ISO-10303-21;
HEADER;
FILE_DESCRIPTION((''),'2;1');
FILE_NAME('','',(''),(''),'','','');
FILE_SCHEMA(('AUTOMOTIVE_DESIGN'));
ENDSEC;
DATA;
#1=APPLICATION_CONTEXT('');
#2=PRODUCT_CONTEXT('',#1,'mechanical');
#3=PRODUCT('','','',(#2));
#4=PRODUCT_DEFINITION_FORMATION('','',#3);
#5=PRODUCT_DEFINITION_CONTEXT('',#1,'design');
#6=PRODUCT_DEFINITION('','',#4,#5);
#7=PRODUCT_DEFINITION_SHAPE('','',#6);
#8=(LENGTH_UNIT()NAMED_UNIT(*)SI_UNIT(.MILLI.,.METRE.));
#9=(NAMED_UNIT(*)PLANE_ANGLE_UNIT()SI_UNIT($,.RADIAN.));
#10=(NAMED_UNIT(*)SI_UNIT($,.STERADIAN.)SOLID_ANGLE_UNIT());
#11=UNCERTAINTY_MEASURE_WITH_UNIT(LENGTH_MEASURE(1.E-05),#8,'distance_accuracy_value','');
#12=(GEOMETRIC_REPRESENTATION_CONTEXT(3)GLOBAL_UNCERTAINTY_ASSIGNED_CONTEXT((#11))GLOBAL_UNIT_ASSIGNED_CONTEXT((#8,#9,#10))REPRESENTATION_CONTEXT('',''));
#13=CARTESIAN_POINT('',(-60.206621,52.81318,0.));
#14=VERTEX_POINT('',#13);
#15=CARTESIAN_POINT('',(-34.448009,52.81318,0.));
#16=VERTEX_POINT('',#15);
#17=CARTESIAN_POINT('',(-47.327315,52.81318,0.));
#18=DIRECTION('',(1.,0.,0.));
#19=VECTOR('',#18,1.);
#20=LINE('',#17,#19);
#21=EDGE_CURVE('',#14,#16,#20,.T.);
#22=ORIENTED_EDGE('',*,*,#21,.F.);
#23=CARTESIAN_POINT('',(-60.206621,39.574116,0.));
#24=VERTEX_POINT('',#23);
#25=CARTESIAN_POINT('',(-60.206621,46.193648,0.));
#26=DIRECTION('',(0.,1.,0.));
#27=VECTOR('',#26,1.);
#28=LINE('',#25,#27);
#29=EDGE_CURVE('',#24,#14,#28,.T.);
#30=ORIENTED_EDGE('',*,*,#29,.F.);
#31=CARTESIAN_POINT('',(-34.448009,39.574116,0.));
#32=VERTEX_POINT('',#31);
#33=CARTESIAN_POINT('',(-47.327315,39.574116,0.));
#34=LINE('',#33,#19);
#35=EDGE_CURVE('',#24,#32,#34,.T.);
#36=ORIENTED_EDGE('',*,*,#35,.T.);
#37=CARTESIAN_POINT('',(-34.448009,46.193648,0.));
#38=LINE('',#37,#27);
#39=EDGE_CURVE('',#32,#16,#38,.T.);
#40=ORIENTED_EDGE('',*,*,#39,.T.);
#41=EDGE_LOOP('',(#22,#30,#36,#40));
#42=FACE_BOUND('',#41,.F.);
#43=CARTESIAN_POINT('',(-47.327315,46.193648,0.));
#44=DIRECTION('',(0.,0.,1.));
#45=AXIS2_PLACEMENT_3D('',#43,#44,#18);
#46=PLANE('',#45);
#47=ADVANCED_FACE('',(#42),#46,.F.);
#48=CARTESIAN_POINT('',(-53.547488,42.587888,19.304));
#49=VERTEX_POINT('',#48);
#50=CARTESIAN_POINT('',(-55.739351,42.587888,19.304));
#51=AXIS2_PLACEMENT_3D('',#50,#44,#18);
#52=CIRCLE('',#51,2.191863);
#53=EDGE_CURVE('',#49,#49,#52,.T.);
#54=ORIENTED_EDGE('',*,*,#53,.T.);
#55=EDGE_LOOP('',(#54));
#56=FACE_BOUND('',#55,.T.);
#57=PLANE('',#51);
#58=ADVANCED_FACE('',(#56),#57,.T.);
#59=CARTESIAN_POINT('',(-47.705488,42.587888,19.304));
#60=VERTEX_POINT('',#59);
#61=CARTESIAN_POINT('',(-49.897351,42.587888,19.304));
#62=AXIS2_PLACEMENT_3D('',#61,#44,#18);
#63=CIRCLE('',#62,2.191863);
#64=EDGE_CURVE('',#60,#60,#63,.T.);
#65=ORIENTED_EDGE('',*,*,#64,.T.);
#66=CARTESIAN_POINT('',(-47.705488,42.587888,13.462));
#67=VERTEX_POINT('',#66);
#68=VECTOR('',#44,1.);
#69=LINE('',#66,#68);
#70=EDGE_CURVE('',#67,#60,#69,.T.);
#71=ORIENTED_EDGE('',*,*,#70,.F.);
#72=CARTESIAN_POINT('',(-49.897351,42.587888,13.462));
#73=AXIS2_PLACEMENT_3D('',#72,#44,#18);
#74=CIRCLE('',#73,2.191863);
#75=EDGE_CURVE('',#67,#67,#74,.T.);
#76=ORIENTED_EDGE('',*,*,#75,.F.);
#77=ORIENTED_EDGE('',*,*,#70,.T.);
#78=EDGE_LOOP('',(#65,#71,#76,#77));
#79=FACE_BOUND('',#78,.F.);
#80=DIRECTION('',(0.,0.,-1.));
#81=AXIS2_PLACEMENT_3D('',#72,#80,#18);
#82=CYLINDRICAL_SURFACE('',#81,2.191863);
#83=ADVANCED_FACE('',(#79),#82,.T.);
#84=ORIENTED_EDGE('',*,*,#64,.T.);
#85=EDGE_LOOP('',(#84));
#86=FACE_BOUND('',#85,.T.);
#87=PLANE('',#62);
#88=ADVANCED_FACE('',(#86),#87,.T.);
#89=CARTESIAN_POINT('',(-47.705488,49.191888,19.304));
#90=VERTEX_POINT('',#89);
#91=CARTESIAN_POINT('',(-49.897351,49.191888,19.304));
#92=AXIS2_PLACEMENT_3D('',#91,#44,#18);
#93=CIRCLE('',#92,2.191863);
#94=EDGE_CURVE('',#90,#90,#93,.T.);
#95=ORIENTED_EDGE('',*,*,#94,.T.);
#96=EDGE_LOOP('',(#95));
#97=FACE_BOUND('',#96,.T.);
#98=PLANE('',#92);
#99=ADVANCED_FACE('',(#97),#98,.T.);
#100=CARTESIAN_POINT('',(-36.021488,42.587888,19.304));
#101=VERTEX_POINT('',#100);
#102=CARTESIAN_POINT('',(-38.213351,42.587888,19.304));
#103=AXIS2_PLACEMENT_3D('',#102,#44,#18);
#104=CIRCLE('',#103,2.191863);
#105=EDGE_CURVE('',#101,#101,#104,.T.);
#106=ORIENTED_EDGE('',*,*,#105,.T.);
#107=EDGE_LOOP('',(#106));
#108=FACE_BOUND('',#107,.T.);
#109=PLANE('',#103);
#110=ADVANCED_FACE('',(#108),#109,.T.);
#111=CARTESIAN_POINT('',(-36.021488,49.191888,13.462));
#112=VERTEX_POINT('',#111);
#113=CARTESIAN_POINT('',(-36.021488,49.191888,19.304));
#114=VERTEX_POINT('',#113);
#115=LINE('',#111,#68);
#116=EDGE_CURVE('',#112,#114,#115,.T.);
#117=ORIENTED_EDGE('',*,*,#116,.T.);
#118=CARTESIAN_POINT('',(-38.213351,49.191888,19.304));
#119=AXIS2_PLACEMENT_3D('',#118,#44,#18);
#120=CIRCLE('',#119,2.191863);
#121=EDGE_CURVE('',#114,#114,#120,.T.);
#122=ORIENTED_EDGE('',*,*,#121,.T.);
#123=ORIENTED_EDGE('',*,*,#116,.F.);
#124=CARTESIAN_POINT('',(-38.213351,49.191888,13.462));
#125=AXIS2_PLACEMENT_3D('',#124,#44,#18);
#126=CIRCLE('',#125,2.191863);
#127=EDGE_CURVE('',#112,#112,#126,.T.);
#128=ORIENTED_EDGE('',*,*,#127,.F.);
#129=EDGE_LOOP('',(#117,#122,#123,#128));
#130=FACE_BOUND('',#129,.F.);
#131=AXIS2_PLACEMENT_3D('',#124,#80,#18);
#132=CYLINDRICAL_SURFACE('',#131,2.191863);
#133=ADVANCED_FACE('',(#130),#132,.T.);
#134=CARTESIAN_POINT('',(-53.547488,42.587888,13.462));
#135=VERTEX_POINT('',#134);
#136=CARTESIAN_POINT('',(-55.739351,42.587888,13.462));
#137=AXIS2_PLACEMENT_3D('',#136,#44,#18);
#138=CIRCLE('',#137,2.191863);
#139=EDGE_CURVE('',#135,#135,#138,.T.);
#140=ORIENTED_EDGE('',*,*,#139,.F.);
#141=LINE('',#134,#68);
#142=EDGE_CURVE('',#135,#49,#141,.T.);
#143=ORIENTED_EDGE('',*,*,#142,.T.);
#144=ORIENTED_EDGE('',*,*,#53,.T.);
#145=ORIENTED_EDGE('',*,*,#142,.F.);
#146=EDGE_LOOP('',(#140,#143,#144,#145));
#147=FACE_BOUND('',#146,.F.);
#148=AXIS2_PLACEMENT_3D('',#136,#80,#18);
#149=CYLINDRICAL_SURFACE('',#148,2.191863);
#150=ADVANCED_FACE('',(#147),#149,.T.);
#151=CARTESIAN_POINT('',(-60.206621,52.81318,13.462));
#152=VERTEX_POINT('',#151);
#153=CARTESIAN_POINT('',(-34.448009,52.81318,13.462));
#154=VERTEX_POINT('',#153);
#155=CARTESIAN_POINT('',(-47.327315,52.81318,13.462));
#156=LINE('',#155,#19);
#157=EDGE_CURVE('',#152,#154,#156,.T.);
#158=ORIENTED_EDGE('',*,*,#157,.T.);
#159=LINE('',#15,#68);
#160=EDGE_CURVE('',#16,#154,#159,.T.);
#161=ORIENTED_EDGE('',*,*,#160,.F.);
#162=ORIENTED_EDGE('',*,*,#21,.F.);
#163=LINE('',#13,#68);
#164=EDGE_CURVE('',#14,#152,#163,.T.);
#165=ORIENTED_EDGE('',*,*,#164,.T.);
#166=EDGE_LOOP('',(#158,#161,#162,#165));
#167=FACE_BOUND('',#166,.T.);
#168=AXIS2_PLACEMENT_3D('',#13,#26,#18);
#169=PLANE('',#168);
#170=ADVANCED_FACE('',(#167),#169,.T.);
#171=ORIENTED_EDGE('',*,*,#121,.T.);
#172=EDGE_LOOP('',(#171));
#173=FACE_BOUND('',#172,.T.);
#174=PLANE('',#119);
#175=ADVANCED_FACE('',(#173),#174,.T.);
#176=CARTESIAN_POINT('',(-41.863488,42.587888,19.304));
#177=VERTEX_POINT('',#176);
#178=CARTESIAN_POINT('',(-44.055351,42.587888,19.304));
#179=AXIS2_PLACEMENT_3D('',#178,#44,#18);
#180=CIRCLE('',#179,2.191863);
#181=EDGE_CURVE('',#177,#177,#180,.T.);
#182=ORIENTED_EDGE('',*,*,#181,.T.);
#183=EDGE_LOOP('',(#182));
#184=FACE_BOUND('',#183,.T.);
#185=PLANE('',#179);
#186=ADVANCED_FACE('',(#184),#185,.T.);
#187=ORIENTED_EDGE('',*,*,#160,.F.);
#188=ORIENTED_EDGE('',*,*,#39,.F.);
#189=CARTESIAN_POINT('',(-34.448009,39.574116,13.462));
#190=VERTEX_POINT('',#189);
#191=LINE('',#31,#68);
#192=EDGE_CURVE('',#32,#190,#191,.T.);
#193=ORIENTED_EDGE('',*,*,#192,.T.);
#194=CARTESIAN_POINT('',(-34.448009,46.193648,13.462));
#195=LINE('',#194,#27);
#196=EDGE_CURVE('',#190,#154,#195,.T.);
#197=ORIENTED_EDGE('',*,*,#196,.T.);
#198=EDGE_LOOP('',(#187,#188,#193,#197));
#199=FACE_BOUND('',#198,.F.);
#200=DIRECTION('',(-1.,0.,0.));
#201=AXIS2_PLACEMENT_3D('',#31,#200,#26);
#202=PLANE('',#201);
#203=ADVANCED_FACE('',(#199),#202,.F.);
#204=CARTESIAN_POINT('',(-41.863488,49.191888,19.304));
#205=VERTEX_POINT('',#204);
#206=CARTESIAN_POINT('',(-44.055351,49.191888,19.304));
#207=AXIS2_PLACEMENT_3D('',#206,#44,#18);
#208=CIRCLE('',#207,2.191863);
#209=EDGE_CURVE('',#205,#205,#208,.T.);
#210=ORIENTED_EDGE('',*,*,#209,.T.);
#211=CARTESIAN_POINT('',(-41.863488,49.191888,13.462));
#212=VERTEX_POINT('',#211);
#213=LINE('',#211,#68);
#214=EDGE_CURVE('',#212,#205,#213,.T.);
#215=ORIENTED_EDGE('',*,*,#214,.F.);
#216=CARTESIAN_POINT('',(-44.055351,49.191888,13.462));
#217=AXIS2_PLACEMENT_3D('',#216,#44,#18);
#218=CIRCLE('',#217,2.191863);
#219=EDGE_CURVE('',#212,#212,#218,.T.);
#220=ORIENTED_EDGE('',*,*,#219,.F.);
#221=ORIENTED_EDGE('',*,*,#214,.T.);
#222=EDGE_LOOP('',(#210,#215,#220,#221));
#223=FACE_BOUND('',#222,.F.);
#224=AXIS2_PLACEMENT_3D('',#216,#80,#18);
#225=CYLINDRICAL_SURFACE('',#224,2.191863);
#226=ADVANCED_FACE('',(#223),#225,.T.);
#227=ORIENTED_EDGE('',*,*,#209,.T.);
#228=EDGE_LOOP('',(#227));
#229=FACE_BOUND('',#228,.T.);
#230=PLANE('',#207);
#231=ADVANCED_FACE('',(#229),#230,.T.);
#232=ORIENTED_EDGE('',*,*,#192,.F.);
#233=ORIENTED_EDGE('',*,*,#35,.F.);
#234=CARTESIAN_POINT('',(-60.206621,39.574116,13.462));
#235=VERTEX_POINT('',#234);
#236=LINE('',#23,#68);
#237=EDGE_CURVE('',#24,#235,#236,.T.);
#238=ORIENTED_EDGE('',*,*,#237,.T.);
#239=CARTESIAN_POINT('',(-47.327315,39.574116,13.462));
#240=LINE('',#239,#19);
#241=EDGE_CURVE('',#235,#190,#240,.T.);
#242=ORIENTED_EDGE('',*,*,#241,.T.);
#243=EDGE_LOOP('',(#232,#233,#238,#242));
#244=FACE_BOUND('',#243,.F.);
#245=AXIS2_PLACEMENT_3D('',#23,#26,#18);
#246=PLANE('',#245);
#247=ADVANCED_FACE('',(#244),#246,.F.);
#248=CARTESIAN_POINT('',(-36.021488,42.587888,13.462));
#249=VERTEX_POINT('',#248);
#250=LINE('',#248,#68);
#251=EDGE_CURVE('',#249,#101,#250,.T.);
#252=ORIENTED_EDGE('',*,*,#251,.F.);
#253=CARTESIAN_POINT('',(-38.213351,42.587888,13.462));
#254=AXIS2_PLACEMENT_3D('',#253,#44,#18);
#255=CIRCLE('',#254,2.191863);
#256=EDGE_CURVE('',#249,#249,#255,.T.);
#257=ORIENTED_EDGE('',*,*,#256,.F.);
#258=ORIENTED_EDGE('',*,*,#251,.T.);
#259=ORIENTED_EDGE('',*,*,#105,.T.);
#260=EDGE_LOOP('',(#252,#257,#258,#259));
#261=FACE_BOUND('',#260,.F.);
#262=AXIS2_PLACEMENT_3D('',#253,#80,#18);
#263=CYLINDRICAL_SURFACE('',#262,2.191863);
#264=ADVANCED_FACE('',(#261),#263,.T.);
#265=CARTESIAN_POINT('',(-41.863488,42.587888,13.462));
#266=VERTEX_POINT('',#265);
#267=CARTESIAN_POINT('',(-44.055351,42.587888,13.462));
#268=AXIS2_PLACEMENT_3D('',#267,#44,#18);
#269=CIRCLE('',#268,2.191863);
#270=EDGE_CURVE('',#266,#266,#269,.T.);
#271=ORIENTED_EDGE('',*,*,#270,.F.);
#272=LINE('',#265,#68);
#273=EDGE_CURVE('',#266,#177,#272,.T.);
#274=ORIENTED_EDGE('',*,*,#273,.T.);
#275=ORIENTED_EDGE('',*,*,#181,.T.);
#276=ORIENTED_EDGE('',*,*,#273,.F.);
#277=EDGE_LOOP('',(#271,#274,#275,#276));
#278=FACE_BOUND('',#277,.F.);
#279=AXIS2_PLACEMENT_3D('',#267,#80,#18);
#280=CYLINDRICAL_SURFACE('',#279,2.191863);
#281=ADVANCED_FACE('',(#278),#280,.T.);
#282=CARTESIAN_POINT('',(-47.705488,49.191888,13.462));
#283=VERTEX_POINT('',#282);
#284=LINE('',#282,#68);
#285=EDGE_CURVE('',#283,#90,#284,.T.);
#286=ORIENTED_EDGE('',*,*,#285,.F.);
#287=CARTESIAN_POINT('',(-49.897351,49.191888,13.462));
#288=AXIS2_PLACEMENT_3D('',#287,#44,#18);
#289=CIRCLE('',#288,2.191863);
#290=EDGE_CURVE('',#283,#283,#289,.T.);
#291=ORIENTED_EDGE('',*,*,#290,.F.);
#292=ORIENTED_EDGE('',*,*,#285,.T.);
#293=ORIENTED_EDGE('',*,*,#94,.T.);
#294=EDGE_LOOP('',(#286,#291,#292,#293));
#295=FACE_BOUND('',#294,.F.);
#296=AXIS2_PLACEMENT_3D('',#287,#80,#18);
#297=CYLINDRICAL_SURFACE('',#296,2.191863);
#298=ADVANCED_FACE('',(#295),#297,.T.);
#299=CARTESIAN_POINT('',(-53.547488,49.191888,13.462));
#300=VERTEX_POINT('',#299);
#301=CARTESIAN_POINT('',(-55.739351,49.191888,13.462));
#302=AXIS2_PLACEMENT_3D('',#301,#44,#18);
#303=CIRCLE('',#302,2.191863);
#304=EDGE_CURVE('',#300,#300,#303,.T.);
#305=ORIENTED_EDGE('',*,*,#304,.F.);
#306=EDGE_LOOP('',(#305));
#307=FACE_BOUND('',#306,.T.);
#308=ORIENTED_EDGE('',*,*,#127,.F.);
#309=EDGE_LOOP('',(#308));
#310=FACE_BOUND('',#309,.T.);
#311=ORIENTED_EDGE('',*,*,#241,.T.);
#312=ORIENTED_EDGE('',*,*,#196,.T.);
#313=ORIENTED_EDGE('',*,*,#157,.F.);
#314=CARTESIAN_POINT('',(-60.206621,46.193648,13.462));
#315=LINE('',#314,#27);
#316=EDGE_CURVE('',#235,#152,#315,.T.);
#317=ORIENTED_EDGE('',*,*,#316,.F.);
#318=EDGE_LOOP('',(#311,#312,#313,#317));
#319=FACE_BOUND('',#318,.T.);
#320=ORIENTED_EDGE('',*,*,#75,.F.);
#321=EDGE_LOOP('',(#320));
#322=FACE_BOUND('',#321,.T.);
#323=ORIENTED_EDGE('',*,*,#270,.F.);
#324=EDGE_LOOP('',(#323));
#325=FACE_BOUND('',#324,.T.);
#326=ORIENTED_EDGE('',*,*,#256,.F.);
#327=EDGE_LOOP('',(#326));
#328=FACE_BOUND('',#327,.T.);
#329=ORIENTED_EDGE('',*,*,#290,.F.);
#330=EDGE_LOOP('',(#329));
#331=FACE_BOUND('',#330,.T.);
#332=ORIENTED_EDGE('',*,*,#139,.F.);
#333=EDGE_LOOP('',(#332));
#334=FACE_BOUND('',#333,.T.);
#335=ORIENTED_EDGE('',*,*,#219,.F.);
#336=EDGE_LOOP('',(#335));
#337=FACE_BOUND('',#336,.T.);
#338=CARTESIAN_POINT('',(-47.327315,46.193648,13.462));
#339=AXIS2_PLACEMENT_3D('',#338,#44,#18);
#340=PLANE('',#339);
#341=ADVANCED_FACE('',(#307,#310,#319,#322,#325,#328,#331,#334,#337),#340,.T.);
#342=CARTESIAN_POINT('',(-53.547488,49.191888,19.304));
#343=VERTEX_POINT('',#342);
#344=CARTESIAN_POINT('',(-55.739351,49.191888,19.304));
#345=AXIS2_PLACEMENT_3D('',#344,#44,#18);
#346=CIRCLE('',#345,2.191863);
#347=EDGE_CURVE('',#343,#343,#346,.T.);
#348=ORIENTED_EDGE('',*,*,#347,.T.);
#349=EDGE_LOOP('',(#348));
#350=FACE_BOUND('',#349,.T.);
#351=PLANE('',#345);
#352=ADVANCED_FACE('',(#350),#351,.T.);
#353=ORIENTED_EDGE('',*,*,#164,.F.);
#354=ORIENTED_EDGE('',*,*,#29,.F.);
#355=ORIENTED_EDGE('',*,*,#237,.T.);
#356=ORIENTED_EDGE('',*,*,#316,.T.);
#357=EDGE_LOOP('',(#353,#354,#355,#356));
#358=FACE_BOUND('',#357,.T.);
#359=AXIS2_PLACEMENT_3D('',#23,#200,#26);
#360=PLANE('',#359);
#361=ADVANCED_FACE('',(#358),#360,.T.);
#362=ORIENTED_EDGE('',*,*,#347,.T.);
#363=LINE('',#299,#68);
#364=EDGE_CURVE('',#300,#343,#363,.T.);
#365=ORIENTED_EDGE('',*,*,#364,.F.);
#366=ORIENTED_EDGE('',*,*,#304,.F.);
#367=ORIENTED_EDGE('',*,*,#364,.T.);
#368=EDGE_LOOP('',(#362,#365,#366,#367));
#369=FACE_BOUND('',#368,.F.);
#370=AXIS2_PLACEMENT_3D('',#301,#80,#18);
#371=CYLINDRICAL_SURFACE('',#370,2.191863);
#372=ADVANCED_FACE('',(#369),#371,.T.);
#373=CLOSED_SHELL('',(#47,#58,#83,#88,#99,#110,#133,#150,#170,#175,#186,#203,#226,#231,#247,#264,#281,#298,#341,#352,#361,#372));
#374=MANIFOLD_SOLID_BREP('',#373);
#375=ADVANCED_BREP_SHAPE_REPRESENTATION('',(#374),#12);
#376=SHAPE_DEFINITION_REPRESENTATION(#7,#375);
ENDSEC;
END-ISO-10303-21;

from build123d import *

# Parameters (mm, degrees)
F0_W     = 25.758613
F0_H     = 13.239064
F1_DEPTH = 13.462
F2_R     = 2.191863
F3_DEPTH = 5.842


with BuildPart() as f1:
    # F0 (on Top) → F1 (new body)
    with BuildSketch(Plane.XY):
        with Locations((-47.327315, 46.193648)):
            Rectangle(F0_W, F0_H)
    extrude(amount=F1_DEPTH)

    # F2 (on face) → F3 (join)
    with BuildSketch(Plane.XY.offset(13.462)):
        with Locations((-55.739351, 49.191888)):
            Circle(F2_R)
        with Locations((-55.739351, 42.587888)):
            Circle(F2_R)
        with Locations((-49.897351, 49.191888)):
            Circle(F2_R)
        with Locations((-49.897351, 42.587888)):
            Circle(F2_R)
        with Locations((-44.055351, 49.191888)):
            Circle(F2_R)
        with Locations((-44.055351, 42.587888)):
            Circle(F2_R)
        with Locations((-38.213351, 49.191888)):
            Circle(F2_R)
        with Locations((-38.213351, 42.587888)):
            Circle(F2_R)
    extrude(amount=F3_DEPTH)


solid = f1.part
